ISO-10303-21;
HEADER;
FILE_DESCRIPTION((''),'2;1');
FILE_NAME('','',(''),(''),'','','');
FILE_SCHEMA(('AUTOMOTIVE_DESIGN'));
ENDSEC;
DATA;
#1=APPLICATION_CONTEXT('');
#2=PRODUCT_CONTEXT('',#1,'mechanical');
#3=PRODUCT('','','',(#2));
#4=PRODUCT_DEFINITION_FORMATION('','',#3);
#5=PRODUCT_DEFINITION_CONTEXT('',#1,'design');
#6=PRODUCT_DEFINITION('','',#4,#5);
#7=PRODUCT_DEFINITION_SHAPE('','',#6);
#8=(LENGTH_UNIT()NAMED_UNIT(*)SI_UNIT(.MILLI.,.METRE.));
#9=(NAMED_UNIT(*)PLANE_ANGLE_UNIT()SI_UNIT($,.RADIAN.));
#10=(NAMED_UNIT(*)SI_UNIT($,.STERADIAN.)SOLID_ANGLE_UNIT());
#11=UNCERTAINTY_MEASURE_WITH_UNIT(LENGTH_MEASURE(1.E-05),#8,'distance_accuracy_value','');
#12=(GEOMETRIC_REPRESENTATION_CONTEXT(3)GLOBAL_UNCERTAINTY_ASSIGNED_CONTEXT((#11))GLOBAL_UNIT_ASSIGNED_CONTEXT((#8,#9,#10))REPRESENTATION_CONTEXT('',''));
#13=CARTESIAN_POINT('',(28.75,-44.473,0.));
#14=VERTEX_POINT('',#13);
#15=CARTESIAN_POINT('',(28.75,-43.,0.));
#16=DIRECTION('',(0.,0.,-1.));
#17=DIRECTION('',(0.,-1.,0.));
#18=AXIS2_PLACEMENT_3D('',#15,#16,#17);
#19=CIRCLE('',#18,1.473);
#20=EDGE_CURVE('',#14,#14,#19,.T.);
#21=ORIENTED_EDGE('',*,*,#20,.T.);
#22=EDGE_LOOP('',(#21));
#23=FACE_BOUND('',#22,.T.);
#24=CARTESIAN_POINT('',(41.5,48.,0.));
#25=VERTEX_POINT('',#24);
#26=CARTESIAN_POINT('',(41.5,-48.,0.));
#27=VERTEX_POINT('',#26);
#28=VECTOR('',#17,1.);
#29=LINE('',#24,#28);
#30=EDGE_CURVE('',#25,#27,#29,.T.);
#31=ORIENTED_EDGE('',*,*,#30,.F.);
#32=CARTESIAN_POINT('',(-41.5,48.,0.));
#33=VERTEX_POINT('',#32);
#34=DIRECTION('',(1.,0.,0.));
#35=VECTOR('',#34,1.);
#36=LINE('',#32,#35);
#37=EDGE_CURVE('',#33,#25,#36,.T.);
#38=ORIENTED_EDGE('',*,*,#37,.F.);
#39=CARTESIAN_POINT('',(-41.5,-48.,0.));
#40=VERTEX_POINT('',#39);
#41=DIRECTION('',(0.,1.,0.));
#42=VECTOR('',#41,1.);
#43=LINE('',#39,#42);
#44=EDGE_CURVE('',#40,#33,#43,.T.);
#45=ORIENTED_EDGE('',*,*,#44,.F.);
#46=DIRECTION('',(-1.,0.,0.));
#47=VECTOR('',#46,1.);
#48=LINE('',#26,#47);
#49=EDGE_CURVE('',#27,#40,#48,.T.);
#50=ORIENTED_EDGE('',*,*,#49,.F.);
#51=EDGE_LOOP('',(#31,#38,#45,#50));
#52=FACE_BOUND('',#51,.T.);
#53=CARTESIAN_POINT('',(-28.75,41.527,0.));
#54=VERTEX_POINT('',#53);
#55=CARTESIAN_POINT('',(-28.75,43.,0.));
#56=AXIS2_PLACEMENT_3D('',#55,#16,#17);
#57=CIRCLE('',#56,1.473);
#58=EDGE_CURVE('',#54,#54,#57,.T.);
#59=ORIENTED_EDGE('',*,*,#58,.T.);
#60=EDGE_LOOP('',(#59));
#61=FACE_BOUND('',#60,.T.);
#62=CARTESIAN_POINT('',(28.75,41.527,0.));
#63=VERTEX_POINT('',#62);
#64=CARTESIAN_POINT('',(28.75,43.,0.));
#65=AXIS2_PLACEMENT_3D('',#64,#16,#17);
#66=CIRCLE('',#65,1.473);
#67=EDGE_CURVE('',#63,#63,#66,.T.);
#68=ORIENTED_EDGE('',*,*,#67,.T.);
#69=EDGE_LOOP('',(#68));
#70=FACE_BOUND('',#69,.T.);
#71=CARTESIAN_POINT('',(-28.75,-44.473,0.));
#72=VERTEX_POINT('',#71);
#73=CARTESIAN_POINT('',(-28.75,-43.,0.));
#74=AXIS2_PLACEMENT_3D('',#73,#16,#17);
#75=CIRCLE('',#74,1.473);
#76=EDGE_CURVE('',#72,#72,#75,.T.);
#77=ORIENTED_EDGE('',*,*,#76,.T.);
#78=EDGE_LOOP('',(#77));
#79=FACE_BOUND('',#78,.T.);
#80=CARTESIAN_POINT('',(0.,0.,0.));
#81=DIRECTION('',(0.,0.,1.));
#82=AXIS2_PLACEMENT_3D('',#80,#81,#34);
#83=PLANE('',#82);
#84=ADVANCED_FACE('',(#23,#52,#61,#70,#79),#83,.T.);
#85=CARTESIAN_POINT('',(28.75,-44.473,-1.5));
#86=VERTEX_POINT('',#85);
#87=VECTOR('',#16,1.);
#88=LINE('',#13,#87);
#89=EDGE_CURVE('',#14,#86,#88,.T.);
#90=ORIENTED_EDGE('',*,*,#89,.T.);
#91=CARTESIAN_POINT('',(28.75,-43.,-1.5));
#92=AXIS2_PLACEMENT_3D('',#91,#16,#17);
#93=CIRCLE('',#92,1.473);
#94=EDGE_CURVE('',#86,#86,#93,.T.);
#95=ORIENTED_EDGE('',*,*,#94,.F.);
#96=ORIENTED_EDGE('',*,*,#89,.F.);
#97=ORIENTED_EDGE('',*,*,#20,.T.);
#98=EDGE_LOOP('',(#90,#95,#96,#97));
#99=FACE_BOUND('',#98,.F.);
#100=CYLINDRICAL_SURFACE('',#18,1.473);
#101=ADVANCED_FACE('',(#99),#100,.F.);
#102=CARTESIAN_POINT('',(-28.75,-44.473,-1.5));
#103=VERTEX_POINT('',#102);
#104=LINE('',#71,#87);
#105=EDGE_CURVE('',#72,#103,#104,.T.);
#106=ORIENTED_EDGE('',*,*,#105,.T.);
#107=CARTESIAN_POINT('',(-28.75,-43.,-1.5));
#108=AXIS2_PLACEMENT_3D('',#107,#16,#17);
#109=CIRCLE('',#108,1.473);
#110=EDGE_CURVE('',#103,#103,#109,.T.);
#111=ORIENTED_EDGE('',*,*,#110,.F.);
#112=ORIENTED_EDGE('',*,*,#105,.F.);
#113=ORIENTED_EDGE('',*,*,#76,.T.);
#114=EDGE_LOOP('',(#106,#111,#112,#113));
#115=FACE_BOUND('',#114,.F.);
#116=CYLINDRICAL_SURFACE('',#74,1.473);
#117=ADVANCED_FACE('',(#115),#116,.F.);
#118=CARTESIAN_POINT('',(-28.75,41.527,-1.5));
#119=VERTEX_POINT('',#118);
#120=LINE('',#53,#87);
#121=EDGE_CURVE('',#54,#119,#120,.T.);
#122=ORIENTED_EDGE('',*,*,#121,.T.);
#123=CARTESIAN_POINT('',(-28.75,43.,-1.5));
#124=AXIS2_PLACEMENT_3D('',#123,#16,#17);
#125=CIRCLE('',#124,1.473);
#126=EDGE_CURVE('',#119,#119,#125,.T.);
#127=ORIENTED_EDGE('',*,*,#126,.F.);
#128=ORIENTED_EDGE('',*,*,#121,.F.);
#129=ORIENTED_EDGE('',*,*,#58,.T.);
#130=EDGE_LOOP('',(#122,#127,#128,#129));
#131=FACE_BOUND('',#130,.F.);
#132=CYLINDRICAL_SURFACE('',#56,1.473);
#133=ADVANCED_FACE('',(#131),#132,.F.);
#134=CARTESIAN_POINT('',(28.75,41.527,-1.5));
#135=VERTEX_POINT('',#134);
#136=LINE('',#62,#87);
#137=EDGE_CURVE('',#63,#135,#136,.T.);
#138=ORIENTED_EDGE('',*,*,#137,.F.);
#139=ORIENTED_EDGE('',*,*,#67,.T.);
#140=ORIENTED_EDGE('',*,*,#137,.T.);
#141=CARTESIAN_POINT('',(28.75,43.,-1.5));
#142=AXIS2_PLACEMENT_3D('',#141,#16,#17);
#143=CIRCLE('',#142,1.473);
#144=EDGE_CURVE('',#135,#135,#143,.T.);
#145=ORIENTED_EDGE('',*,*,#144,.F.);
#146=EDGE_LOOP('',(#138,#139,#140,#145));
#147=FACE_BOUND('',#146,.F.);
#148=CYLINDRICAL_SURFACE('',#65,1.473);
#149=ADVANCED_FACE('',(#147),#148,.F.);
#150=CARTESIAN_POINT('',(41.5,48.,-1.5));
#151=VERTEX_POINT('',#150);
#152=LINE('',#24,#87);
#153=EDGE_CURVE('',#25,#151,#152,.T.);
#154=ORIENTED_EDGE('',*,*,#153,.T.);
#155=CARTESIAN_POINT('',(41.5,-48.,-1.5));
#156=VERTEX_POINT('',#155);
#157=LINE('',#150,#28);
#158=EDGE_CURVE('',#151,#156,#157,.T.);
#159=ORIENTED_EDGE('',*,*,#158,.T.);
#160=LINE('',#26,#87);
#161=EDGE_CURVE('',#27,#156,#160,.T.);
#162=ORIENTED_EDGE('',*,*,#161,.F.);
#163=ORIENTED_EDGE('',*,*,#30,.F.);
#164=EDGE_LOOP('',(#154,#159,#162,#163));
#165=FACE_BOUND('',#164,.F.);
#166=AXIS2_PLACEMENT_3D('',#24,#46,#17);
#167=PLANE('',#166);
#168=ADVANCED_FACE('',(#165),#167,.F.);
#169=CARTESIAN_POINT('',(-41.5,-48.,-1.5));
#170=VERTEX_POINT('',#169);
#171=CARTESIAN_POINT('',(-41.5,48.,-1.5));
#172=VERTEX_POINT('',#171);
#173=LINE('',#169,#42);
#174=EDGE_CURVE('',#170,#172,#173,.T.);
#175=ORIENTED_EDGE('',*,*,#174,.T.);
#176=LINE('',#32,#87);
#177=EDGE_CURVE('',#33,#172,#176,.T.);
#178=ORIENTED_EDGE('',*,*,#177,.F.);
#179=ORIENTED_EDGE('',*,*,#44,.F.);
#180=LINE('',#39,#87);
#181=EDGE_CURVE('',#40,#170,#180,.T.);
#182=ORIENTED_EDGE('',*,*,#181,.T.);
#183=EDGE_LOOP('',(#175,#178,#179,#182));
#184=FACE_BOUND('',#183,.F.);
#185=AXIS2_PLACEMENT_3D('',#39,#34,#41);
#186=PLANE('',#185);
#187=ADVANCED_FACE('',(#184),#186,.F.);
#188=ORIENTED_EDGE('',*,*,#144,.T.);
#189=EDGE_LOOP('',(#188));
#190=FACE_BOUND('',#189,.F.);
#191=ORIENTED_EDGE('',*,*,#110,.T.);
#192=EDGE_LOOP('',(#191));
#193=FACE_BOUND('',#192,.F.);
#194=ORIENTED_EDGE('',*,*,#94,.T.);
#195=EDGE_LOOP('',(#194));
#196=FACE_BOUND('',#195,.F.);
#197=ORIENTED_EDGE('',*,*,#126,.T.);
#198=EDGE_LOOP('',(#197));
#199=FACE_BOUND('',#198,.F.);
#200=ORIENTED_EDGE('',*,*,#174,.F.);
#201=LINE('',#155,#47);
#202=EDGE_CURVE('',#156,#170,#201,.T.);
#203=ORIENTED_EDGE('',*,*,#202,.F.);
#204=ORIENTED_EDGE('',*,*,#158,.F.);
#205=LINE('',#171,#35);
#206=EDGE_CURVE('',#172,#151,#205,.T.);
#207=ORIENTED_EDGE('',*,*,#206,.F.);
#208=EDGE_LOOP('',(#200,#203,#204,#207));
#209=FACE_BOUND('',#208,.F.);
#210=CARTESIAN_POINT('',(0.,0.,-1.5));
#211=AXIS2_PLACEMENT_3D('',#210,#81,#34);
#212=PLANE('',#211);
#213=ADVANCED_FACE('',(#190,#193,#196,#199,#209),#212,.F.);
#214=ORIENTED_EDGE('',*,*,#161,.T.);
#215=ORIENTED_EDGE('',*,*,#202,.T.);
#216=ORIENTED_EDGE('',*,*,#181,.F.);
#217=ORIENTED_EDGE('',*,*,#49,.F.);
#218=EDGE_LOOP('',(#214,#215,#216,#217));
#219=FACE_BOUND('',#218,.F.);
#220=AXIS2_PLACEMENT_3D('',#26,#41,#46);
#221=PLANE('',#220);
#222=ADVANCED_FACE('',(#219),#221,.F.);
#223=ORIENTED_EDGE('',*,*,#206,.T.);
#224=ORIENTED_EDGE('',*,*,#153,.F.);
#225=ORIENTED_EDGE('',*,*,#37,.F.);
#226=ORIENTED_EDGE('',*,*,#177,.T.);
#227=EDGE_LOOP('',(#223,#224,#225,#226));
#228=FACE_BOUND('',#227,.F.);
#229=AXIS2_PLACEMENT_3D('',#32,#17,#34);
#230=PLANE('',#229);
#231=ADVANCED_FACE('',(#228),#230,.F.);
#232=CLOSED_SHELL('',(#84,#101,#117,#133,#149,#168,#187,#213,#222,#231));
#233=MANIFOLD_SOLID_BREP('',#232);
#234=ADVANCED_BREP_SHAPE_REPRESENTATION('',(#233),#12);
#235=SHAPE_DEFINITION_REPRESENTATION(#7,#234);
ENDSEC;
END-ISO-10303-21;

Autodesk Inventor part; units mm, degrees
ref_plane "YZ Plane" through (0, 0, 0) normal (1, 0, 0) x (0, 1, 0)
ref_plane "XZ Plane" through (0, 0, 0) normal (0, 1, 0) x (-1, 0, 0)
ref_plane "XY Plane" through (0, 0, 0) normal (0, 0, 1) x (1, 0, 0)
sketch "Sketch1" plane through (0, 0, 0) normal (0, 0, 1) x (1, 0, 0)
  line L0 (-41.5, 48) -> (41.5, 48)
  line L1 (41.5, 48) -> (41.5, -48)
  line L2 (41.5, -48) -> (-41.5, -48)
  line L3 (-41.5, -48) -> (-41.5, 48)
  point P0 (0, 0)
  dimension "d0" = 83
  dimension "d1" = 96
  dimension "d2" = 48
  dimension "d3" = 41.5
extrude "Extrusion1" add sketch "Sketch1" against normal blind 1.5
sketch "Sketch2" plane through (0, 0, 0) normal (0, 0, 1) x (1, 0, 0)
  line L0 (-41.5, 48) -> (41.5, 48) projected
  line L1 (0, 0) -> (16.5924, 0) construction
  point P0 (-28.75, 43)
  point P1 (28.75, 43)
  point P2 (-28.75, -43)
  point P3 (28.75, -43)
  dimension "d6" = 57.5
  dimension "d7" = 5
  dimension "d21" = 28.75
hole "Hole1" at (-28.75, 43, 0) at (28.75, 43, 0) at (-28.75, -43, 0) at (28.75, -43, 0) direction (0, 0, -1) diameter 2.946 end through all clearance for "Flat Head Machine Screw (100)" size "#4" standard "Ansi Unified Screw Threads"
equation "\"d2\" = 0.5 * d1"
equation "\"d3\" = 0.5 * d0"
equation "\"d21\" = 0.5 * d6"
properties part number "memesat shear panel type 2" material "Aluminum 6061"
